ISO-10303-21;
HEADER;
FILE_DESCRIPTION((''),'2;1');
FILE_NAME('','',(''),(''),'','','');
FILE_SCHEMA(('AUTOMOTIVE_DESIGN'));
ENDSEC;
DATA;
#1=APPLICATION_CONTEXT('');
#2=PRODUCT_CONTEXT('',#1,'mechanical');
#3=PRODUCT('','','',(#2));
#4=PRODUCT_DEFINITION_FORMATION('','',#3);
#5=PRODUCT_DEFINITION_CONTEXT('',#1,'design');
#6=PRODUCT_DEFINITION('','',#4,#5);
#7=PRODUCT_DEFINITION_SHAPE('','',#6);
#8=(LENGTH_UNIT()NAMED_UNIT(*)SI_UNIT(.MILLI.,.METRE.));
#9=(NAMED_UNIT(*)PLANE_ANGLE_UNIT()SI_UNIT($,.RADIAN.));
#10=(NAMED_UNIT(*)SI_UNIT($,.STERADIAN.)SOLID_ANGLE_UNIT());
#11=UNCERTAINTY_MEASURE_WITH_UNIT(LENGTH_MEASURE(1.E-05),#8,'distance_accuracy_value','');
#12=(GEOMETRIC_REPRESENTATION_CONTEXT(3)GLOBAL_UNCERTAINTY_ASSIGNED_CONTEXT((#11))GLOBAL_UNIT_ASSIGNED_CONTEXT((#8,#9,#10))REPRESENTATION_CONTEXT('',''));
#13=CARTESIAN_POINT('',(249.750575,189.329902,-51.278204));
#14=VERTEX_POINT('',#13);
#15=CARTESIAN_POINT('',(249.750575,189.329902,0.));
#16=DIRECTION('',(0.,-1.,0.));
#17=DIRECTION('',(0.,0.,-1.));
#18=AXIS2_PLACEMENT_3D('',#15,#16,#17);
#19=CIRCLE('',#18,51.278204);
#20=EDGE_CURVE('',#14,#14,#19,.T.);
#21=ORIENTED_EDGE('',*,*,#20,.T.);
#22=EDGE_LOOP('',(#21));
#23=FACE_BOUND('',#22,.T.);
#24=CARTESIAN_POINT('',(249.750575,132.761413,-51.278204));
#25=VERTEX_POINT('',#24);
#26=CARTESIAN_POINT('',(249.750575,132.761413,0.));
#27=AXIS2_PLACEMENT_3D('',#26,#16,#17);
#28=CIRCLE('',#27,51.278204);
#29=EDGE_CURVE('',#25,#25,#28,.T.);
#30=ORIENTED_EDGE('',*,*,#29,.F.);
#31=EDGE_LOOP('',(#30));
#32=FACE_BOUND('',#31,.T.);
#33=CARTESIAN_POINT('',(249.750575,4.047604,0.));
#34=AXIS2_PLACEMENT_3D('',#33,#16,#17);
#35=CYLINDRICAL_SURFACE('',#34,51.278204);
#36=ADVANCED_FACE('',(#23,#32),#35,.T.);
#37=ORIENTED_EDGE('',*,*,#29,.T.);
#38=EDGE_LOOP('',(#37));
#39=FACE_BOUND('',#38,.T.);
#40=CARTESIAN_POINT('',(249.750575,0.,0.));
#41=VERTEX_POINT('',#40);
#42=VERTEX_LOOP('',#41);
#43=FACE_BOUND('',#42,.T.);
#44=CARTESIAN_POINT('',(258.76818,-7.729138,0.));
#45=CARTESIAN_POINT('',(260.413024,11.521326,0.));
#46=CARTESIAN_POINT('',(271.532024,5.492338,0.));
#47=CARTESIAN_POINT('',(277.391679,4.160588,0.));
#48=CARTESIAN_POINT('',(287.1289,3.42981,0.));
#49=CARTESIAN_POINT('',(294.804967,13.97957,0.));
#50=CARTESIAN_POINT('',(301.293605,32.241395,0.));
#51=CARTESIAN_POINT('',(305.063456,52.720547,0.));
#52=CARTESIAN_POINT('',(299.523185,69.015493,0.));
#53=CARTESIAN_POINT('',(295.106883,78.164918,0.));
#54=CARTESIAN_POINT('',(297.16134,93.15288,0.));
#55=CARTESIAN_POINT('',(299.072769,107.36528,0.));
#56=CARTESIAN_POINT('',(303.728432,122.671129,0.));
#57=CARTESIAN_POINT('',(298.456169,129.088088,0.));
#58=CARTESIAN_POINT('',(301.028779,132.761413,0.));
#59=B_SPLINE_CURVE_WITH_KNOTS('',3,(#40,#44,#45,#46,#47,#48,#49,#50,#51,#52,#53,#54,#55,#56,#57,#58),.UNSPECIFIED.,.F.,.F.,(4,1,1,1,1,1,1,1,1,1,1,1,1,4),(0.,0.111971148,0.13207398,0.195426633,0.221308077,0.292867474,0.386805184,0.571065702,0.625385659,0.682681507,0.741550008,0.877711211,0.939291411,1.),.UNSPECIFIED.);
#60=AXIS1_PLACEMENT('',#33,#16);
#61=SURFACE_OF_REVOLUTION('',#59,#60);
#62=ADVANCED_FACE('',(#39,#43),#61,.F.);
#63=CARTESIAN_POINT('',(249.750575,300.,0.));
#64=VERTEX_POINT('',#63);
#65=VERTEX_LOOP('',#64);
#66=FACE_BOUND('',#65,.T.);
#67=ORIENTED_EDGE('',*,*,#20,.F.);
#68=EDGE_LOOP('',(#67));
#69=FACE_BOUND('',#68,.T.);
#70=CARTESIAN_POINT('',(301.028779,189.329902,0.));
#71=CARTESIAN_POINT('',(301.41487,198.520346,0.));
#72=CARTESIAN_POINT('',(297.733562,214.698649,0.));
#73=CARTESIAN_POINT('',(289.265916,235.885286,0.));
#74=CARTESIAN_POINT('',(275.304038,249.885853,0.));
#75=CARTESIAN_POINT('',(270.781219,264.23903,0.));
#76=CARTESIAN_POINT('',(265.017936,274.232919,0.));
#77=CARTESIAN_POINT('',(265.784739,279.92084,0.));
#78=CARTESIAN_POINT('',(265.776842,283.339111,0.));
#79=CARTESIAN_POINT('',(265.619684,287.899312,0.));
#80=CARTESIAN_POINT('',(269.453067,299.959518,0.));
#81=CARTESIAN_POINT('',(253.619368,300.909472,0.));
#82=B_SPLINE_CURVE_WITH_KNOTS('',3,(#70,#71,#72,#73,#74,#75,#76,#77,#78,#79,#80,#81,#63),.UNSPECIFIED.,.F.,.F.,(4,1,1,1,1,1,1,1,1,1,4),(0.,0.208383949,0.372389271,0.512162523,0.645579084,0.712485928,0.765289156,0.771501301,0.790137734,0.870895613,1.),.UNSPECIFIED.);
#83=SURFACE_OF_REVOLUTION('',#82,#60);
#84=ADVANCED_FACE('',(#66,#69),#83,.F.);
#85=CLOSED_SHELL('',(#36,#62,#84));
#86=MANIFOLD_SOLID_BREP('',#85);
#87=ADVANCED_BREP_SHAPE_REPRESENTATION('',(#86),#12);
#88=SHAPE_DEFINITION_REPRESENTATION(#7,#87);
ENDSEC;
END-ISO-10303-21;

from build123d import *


with BuildPart() as part:
    # Croquis3 → Revolución1 (revolve)
    with BuildSketch(Plane.XY, mode=Mode.PRIVATE) as revoluci_n1_sk:
        with BuildLine():
            Line((301.028778623, 132.761412627), (301.028778623, 189.329901696))
            add(Edge.make_bspline(
                [(301.028778623, 189.329901696), (301.414869757, 198.520346087), (297.733562203, 214.698648815), (289.26591592, 235.885286327), (275.304038077, 249.885852761), (270.781218661, 264.239029999), (265.017936322, 274.232918872), (265.784738776, 279.920839545), (265.776841786, 283.339110648), (265.619684046, 287.899312184), (269.453066609, 299.95951829), (253.619368085, 300.909472287), (249.75057462, 300)],
                knots=[0, 0, 0, 0, 0.208383949, 0.372389271, 0.512162523, 0.645579084, 0.712485928, 0.765289156, 0.771501301, 0.790137734, 0.870895613, 1, 1, 1, 1], degree=3))
            Line((249.75057462, 300), (249.75057462, 0))
            add(Edge.make_bspline(
                [(249.75057462, 0), (258.768179522, -7.729137597), (260.413024151, 11.521326456), (271.532024429, 5.49233823), (277.391679076, 4.160587573), (287.128900424, 3.429810196), (294.804967365, 13.979569921), (301.293605014, 32.24139465), (305.063456401, 52.720547264), (299.523184654, 69.015493041), (295.106882961, 78.164918416), (297.161339683, 93.152880093), (299.072768518, 107.365279963), (303.728431903, 122.67112877), (298.456169405, 129.088087739), (301.028778623, 132.761412627)],
                knots=[0, 0, 0, 0, 0.111971148, 0.13207398, 0.195426633, 0.221308077, 0.292867474, 0.386805184, 0.571065702, 0.625385659, 0.682681507, 0.741550008, 0.877711211, 0.939291411, 1, 1, 1, 1], degree=3))
        make_face()
    revolve(revoluci_n1_sk.sketch.rotate(Axis((249.75057462, 4.047604165, 0), (0, 1, 0)), 90), axis=Axis((249.75057462, 4.047604165, 0), (0, 1, 0)))


solid = part.part
